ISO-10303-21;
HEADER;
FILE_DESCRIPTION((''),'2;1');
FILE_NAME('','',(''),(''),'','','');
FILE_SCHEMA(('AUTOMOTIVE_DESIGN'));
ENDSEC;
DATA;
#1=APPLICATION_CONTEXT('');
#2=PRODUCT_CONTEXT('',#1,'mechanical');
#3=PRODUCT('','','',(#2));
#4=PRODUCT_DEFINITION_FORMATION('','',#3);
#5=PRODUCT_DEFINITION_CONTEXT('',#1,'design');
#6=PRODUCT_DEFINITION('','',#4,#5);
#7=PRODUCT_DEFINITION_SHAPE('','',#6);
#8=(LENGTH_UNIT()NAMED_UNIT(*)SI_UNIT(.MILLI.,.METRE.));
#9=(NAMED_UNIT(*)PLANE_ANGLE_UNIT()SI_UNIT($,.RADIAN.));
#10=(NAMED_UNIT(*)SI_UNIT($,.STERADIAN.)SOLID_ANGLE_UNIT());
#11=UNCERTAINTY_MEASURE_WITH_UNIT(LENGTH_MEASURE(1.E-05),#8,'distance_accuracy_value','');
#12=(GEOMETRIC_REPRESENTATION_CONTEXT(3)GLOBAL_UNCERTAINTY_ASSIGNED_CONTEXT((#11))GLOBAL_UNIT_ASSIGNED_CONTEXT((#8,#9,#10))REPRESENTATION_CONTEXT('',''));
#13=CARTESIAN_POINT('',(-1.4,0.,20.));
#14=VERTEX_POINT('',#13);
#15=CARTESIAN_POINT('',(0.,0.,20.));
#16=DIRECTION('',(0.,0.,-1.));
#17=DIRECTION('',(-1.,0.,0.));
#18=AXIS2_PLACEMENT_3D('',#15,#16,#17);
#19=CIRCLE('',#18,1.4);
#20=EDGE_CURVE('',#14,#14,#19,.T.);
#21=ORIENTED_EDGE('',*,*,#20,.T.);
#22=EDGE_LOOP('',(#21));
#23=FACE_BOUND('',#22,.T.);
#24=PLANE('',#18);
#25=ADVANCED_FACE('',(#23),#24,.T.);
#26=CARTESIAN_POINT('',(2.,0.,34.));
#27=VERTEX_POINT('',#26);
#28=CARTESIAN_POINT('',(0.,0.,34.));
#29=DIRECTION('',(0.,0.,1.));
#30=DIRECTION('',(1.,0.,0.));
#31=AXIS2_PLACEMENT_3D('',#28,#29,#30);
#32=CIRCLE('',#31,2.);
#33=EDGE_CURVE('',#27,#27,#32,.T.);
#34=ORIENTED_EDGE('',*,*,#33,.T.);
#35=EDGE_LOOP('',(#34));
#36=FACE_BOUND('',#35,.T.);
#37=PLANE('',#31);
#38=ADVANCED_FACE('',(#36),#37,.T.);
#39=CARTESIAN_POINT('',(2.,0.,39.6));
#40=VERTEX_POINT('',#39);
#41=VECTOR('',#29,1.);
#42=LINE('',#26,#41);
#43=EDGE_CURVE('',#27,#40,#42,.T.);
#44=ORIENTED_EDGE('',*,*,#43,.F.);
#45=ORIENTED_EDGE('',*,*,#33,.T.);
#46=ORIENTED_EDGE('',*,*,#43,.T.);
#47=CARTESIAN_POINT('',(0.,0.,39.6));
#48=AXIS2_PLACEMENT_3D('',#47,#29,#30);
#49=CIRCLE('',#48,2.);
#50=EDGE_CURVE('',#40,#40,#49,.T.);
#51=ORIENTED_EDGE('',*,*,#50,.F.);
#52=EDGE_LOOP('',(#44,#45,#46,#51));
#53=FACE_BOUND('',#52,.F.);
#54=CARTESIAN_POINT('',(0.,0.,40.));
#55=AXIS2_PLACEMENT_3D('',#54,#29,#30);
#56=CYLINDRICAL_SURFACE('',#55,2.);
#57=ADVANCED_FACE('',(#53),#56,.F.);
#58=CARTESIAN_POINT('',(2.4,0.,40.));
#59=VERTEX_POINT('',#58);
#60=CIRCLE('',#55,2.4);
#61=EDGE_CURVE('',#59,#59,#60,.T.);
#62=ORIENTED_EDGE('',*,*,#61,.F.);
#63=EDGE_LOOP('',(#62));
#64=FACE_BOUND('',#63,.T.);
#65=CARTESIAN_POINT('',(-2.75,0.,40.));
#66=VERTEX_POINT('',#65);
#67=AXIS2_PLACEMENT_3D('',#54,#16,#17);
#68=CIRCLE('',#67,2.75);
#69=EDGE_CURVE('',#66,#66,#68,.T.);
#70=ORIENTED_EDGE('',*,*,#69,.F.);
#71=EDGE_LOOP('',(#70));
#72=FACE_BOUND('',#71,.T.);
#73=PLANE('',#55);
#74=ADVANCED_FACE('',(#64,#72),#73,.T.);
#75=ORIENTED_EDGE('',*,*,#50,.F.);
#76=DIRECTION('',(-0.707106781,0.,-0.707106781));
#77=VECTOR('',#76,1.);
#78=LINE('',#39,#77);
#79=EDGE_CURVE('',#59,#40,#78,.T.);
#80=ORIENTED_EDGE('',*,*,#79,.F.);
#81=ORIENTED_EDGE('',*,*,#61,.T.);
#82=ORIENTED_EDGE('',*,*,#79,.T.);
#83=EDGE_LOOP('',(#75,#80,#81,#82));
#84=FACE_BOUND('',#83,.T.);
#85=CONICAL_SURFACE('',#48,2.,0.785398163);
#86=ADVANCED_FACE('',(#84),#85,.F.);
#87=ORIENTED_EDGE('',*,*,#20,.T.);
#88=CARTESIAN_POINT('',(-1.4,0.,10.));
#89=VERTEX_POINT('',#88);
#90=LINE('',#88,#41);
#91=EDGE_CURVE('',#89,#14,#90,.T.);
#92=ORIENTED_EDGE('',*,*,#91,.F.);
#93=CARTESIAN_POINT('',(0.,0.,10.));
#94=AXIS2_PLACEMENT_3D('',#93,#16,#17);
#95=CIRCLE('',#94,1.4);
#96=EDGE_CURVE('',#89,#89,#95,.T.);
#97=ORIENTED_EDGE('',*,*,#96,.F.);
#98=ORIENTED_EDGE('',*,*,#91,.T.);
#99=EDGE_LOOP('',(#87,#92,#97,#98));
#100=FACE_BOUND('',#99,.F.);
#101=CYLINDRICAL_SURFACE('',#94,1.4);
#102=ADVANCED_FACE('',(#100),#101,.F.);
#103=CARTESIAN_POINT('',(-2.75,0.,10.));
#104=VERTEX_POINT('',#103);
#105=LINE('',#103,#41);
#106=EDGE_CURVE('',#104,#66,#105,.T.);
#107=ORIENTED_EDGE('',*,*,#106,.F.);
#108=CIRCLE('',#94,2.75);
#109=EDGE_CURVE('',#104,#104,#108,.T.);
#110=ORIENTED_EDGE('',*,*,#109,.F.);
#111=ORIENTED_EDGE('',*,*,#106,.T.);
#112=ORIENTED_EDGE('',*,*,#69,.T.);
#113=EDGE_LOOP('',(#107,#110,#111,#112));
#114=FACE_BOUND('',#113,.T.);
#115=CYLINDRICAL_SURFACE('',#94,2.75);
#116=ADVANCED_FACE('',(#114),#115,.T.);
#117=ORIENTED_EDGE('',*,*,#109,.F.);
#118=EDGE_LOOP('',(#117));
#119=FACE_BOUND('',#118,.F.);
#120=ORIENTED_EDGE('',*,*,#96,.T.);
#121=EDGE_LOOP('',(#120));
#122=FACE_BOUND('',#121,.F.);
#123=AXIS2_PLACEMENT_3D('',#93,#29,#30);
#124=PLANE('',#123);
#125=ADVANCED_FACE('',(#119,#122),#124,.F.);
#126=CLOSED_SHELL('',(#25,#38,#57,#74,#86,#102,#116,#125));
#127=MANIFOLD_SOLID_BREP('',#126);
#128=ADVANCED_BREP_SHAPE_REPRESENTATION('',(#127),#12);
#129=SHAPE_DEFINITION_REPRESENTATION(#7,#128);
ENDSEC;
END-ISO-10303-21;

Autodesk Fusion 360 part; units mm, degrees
sketch "Esboço1" plane through (0, 0, 0) normal (0, 0, 1) x (1, 0, 0)
  circle A0 centre (0, 0) radius 3
  dimension "d1" = 6
extrude "Extrusão1" add sketch "Esboço1" along normal blind 40
sketch "Esboço2" plane through (0, 0, 40) normal (0, 0, 1) x (1, 0, 0)
  circle A0 centre (0, 0) radius 3
  circle A1 centre (0, 0) radius 2
  dimension "d4" = 4
extrude "Extrusão2" cut sketch "Esboço2" against normal blind 4 contours A1
extrude "Extrusão3" cut 1 faces at (-1.1591, 0.5829, 0) along direction (0, 0, 1) blind 10
extrude "Extrusão4" cut 1 faces at (0.637, 0.1965, 36) along direction (0, 0, -1) blind 1
chamfer "Chanfro1" distance 0.4 angle 45 1 edges at (-1.8647, 0.7232, 40)
sketch "Esboço3" plane through (0, 0, 10) normal (0, 0, -1) x (-1, 0, 0)
  circle A0 centre (0, 0) radius 3
  circle A1 centre (0, 0) radius 1.4
  dimension "d12" = 2.8
extrude "Extrusão5" cut sketch "Esboço3" against normal blind 10 contours A1
sketch "Esboço4" plane through (0, 0, 10) normal (0, 0, -1) x (-1, 0, 0)
  circle A0 centre (0, 0) radius 1.4
  circle A1 centre (0, 0) radius 3
  circle A2 centre (0, 0) radius 3
  circle A3 centre (0, 0) radius 2.75
  dimension "d15" = 5.5
extrude "Extrusão6" cut sketch "Esboço4" against normal blind 34 contours A1 A2
extrude "Extrusão7" cut 1 faces at (0.637, 0.1965, 35) along direction (0, 0, -1) blind 1
